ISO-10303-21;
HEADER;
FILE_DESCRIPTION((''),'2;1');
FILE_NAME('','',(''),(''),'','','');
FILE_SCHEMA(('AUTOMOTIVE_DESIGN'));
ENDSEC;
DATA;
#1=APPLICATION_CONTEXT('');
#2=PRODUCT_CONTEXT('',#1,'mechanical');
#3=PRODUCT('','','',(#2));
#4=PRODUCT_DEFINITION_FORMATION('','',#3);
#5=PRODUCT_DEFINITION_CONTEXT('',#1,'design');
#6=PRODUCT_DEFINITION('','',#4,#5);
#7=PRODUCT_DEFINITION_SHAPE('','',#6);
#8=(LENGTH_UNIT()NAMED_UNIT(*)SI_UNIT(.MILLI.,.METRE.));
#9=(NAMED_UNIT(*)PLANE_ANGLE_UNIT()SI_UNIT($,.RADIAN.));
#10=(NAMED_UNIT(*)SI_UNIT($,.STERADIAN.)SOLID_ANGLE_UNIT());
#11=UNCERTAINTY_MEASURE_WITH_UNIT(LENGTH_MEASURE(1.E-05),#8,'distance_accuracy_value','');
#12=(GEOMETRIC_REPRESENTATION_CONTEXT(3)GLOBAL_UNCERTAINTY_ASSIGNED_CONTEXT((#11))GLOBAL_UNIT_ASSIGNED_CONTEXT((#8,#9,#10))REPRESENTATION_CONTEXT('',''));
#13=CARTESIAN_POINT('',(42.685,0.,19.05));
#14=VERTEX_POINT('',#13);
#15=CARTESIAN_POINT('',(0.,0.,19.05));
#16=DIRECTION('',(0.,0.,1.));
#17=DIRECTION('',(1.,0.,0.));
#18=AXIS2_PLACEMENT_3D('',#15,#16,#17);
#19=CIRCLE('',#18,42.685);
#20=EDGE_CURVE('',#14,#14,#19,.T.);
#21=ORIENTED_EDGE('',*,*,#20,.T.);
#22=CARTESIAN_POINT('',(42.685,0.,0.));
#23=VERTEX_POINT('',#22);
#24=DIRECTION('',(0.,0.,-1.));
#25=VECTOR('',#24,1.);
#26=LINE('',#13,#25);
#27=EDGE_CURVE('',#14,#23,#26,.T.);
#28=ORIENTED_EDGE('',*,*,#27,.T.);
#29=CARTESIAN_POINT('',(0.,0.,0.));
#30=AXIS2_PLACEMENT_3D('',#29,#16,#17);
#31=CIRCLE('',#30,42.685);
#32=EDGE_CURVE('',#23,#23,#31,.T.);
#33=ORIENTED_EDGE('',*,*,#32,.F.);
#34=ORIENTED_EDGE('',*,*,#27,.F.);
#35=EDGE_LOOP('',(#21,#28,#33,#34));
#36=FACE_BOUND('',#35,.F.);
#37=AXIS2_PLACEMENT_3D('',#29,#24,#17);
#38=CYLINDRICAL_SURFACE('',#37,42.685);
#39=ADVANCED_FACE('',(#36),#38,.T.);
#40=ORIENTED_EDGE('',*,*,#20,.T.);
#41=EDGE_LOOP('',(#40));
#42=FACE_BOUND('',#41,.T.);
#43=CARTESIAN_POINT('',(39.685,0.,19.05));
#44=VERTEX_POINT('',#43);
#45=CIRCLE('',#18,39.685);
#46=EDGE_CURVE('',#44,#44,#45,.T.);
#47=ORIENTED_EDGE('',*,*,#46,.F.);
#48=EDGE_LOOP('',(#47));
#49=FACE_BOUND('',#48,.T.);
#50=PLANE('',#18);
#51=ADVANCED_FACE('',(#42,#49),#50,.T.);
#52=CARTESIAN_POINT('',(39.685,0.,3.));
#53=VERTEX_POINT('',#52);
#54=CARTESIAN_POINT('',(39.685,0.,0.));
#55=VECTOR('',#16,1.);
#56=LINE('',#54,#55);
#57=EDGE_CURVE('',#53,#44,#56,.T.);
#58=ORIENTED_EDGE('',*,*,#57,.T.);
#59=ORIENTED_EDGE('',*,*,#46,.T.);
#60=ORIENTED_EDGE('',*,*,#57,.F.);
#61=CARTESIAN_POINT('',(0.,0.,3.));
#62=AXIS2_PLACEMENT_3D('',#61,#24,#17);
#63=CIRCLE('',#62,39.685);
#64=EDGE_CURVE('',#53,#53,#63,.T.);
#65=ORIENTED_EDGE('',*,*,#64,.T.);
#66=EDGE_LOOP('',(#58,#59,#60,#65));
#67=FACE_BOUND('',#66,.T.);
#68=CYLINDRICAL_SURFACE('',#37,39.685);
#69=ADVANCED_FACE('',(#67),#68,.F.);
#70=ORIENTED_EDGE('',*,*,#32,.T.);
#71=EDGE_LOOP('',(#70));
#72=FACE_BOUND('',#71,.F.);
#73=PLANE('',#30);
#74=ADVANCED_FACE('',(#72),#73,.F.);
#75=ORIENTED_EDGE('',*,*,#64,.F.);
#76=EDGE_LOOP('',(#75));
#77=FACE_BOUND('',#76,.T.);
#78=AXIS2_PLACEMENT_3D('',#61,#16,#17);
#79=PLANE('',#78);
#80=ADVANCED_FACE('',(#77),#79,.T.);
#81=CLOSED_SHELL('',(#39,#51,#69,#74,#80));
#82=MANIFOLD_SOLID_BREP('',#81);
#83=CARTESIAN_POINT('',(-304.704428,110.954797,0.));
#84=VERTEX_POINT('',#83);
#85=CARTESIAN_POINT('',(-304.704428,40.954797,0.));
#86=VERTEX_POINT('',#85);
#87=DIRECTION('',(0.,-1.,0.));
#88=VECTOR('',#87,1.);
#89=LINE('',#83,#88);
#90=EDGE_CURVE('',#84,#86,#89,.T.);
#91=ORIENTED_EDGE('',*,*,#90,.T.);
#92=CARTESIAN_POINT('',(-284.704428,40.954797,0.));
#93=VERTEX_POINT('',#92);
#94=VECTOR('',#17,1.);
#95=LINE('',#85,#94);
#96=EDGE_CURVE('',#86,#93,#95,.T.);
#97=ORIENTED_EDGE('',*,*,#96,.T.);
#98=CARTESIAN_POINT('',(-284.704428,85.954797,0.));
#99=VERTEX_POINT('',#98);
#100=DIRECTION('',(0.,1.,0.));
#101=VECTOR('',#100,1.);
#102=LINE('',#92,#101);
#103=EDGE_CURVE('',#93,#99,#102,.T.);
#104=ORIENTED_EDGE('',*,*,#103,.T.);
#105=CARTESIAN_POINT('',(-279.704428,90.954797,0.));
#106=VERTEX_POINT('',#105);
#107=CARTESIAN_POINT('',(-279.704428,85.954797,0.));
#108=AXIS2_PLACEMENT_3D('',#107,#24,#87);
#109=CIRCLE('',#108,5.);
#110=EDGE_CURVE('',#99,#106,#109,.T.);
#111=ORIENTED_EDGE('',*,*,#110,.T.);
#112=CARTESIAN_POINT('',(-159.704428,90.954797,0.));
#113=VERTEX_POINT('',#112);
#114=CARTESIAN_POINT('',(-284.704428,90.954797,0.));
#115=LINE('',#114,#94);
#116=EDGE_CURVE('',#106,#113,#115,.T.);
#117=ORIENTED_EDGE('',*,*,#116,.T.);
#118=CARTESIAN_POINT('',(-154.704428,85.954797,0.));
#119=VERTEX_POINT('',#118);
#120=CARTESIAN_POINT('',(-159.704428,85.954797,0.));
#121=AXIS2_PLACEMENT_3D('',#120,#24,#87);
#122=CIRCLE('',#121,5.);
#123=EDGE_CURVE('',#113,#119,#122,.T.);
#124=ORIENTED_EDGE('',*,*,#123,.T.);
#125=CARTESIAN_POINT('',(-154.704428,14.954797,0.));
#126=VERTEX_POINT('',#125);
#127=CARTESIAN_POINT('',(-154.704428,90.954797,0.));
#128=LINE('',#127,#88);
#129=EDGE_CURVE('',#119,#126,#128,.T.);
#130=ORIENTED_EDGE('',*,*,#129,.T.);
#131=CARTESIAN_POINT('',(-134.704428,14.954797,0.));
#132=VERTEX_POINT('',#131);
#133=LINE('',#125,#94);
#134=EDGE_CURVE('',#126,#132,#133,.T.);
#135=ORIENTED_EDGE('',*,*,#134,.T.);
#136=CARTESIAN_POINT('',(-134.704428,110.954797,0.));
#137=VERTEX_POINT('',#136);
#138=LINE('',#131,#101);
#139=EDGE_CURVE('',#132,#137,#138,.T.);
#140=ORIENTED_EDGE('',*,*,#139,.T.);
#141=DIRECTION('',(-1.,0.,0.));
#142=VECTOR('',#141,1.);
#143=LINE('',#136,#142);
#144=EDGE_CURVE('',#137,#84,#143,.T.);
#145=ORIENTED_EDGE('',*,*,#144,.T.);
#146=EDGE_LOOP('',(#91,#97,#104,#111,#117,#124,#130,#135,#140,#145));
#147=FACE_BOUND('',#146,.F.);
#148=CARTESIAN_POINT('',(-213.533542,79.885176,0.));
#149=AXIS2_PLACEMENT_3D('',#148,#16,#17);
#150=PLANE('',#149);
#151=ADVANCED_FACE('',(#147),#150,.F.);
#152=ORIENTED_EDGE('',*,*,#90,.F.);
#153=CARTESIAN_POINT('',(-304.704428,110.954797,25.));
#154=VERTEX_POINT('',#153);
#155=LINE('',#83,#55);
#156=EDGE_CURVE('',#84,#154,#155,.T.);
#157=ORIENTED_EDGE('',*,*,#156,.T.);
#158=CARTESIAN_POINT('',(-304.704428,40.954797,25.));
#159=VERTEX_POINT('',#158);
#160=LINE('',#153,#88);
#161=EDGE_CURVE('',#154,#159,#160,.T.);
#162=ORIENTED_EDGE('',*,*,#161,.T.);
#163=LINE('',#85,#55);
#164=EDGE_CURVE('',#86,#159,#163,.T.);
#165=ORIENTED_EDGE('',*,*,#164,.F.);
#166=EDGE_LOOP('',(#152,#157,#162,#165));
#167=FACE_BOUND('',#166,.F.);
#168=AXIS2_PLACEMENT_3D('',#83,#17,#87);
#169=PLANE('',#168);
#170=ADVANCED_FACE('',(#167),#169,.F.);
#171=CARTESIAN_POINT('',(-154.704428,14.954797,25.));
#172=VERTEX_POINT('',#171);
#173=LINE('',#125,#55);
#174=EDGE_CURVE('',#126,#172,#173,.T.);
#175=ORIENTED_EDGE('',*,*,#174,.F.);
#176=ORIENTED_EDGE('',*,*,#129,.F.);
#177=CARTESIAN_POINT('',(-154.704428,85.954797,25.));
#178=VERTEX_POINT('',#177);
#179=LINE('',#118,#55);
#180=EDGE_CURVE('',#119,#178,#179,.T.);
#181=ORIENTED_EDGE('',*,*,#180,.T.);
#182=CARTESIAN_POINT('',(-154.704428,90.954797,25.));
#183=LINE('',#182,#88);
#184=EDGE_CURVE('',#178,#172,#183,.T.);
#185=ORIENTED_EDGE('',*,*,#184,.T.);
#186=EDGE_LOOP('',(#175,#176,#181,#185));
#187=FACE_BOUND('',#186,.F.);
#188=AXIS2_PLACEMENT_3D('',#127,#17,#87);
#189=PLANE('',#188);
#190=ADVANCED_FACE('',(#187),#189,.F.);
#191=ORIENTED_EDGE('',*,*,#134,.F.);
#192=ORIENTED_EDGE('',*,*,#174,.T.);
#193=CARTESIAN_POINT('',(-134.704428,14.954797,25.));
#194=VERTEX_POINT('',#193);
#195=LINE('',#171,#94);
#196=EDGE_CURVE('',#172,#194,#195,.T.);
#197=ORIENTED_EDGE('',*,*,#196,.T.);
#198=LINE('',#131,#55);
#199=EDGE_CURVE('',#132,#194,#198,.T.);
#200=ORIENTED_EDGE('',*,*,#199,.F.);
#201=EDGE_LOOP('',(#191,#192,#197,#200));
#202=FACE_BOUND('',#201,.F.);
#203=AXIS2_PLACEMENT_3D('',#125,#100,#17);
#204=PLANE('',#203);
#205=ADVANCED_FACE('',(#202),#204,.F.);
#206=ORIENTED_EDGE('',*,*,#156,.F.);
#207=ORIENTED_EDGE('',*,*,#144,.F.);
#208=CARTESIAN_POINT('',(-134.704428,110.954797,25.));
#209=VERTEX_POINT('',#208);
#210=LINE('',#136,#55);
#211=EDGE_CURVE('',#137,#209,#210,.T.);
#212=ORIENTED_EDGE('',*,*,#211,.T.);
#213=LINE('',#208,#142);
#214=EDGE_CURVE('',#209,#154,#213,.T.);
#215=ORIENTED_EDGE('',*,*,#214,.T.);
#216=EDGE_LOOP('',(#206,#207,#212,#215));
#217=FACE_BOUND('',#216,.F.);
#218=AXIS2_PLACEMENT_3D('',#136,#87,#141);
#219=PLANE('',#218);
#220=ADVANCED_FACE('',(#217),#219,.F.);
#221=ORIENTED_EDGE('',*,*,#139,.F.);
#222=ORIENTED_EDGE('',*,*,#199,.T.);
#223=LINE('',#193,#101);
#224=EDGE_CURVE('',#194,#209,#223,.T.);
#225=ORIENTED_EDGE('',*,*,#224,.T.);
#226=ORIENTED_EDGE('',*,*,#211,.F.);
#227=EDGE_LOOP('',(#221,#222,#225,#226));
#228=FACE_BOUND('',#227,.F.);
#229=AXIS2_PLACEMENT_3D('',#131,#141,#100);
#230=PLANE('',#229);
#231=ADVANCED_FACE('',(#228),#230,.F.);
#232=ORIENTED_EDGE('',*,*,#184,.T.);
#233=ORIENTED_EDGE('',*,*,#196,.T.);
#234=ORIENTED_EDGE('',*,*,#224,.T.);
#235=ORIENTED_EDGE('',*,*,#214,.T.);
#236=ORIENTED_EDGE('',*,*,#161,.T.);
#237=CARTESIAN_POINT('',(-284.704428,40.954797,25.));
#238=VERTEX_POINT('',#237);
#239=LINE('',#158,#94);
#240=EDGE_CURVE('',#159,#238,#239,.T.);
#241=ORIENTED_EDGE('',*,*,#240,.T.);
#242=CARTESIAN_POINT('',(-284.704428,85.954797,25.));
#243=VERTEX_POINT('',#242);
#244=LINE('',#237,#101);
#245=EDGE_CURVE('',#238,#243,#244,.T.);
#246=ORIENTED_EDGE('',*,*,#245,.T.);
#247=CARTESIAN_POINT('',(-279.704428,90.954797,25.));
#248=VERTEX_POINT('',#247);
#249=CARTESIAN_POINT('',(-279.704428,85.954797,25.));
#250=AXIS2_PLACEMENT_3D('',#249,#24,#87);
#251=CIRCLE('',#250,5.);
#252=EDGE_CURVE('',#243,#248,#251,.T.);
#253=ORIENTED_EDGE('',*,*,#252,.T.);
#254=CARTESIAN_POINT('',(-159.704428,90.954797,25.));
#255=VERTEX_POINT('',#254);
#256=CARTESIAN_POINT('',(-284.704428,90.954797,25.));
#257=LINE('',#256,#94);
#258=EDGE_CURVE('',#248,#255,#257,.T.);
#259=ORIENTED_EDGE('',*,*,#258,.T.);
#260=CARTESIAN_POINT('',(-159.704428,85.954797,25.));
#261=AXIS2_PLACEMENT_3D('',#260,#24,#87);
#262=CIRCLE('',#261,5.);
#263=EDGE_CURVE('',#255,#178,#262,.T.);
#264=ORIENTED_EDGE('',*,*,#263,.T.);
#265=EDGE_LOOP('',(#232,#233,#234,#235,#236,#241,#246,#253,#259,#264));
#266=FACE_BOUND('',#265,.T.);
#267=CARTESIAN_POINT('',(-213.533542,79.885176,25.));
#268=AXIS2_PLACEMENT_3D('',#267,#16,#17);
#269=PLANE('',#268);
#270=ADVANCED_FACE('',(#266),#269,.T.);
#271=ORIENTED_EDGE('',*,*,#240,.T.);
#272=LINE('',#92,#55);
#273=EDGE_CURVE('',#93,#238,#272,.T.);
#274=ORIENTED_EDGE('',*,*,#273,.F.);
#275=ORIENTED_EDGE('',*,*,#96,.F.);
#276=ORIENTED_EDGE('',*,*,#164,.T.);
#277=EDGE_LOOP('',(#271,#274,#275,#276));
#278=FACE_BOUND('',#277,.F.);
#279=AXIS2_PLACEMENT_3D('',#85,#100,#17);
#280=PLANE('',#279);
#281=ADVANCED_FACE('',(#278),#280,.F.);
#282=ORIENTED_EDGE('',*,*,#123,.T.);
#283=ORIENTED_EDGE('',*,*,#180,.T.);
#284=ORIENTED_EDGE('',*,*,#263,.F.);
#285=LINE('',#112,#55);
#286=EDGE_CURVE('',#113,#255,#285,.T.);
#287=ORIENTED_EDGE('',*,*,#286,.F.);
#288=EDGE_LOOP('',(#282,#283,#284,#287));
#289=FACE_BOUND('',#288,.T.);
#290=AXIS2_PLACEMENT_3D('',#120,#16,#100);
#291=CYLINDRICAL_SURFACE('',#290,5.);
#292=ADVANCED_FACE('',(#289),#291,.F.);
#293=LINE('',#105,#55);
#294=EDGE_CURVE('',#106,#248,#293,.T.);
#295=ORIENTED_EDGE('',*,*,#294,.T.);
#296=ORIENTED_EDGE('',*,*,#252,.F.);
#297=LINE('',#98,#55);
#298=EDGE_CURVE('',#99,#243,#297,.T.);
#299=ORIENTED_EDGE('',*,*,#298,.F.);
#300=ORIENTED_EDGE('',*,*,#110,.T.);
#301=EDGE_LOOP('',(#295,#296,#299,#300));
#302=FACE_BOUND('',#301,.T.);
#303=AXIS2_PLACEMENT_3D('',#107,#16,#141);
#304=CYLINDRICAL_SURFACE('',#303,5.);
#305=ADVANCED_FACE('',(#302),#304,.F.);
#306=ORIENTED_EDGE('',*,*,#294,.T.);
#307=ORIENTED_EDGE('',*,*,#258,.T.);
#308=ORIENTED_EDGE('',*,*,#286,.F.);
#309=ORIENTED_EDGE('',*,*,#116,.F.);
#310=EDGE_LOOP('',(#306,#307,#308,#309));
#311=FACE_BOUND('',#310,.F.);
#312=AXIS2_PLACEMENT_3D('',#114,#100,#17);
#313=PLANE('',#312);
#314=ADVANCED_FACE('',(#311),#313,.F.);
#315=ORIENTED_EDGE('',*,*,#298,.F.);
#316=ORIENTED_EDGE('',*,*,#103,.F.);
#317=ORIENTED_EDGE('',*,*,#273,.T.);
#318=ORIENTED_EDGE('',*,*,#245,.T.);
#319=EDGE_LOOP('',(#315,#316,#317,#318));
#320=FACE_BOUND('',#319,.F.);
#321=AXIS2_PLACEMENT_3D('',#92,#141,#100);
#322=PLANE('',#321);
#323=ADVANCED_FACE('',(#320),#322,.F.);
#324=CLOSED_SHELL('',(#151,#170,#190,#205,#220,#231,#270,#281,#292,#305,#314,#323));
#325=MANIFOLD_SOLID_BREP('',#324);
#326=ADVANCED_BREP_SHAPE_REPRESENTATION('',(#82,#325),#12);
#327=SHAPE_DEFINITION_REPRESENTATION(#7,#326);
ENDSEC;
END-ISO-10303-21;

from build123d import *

# Parameters (mm, degrees)
F0_R     = 42.685
F0_R_2   = 39.685
F1_DEPTH = 3
F2_DEPTH = 19.05
F4_DEPTH = 25
F5_R     = 5


with BuildPart() as f1:
    # F0 (on Top) → F1 (new body)
    with BuildSketch(Plane.XY):
        Circle(F0_R)
        Circle(F0_R_2, mode=Mode.SUBTRACT)
        Circle(F0_R_2)
    extrude(amount=F1_DEPTH)

    # F0 (on Top) → F2 (join)
    with BuildSketch(Plane.XY):
        Circle(F0_R)
        Circle(F0_R_2, mode=Mode.SUBTRACT)
    extrude(amount=F2_DEPTH)


with BuildPart() as f4:
    # F3 (on Top) → F4 (new body)
    with BuildSketch(Plane.XY):
        Polygon((-304.7044279708, 40.9547965858), (-284.7044279708, 40.9547965858), (-284.7044279708, 90.9547965858), (-154.7044279708, 90.9547965858), (-154.7044279708, 14.9547965858), (-134.7044279708, 14.9547965858), (-134.7044279708, 110.9547965858), (-304.7044279708, 110.9547965858), (-304.7044279708, 90.9547965858), align=None)
    extrude(amount=F4_DEPTH)

    # F5
    f5_edges = [f4.edges().sort_by_distance(p)[0] for p in [
        (-284.704428, 90.954797, 12.5),
        (-154.704428, 90.954797, 12.5),
    ]]
    fillet(f5_edges, radius=F5_R)


solid = Compound([f1.part, f4.part])
